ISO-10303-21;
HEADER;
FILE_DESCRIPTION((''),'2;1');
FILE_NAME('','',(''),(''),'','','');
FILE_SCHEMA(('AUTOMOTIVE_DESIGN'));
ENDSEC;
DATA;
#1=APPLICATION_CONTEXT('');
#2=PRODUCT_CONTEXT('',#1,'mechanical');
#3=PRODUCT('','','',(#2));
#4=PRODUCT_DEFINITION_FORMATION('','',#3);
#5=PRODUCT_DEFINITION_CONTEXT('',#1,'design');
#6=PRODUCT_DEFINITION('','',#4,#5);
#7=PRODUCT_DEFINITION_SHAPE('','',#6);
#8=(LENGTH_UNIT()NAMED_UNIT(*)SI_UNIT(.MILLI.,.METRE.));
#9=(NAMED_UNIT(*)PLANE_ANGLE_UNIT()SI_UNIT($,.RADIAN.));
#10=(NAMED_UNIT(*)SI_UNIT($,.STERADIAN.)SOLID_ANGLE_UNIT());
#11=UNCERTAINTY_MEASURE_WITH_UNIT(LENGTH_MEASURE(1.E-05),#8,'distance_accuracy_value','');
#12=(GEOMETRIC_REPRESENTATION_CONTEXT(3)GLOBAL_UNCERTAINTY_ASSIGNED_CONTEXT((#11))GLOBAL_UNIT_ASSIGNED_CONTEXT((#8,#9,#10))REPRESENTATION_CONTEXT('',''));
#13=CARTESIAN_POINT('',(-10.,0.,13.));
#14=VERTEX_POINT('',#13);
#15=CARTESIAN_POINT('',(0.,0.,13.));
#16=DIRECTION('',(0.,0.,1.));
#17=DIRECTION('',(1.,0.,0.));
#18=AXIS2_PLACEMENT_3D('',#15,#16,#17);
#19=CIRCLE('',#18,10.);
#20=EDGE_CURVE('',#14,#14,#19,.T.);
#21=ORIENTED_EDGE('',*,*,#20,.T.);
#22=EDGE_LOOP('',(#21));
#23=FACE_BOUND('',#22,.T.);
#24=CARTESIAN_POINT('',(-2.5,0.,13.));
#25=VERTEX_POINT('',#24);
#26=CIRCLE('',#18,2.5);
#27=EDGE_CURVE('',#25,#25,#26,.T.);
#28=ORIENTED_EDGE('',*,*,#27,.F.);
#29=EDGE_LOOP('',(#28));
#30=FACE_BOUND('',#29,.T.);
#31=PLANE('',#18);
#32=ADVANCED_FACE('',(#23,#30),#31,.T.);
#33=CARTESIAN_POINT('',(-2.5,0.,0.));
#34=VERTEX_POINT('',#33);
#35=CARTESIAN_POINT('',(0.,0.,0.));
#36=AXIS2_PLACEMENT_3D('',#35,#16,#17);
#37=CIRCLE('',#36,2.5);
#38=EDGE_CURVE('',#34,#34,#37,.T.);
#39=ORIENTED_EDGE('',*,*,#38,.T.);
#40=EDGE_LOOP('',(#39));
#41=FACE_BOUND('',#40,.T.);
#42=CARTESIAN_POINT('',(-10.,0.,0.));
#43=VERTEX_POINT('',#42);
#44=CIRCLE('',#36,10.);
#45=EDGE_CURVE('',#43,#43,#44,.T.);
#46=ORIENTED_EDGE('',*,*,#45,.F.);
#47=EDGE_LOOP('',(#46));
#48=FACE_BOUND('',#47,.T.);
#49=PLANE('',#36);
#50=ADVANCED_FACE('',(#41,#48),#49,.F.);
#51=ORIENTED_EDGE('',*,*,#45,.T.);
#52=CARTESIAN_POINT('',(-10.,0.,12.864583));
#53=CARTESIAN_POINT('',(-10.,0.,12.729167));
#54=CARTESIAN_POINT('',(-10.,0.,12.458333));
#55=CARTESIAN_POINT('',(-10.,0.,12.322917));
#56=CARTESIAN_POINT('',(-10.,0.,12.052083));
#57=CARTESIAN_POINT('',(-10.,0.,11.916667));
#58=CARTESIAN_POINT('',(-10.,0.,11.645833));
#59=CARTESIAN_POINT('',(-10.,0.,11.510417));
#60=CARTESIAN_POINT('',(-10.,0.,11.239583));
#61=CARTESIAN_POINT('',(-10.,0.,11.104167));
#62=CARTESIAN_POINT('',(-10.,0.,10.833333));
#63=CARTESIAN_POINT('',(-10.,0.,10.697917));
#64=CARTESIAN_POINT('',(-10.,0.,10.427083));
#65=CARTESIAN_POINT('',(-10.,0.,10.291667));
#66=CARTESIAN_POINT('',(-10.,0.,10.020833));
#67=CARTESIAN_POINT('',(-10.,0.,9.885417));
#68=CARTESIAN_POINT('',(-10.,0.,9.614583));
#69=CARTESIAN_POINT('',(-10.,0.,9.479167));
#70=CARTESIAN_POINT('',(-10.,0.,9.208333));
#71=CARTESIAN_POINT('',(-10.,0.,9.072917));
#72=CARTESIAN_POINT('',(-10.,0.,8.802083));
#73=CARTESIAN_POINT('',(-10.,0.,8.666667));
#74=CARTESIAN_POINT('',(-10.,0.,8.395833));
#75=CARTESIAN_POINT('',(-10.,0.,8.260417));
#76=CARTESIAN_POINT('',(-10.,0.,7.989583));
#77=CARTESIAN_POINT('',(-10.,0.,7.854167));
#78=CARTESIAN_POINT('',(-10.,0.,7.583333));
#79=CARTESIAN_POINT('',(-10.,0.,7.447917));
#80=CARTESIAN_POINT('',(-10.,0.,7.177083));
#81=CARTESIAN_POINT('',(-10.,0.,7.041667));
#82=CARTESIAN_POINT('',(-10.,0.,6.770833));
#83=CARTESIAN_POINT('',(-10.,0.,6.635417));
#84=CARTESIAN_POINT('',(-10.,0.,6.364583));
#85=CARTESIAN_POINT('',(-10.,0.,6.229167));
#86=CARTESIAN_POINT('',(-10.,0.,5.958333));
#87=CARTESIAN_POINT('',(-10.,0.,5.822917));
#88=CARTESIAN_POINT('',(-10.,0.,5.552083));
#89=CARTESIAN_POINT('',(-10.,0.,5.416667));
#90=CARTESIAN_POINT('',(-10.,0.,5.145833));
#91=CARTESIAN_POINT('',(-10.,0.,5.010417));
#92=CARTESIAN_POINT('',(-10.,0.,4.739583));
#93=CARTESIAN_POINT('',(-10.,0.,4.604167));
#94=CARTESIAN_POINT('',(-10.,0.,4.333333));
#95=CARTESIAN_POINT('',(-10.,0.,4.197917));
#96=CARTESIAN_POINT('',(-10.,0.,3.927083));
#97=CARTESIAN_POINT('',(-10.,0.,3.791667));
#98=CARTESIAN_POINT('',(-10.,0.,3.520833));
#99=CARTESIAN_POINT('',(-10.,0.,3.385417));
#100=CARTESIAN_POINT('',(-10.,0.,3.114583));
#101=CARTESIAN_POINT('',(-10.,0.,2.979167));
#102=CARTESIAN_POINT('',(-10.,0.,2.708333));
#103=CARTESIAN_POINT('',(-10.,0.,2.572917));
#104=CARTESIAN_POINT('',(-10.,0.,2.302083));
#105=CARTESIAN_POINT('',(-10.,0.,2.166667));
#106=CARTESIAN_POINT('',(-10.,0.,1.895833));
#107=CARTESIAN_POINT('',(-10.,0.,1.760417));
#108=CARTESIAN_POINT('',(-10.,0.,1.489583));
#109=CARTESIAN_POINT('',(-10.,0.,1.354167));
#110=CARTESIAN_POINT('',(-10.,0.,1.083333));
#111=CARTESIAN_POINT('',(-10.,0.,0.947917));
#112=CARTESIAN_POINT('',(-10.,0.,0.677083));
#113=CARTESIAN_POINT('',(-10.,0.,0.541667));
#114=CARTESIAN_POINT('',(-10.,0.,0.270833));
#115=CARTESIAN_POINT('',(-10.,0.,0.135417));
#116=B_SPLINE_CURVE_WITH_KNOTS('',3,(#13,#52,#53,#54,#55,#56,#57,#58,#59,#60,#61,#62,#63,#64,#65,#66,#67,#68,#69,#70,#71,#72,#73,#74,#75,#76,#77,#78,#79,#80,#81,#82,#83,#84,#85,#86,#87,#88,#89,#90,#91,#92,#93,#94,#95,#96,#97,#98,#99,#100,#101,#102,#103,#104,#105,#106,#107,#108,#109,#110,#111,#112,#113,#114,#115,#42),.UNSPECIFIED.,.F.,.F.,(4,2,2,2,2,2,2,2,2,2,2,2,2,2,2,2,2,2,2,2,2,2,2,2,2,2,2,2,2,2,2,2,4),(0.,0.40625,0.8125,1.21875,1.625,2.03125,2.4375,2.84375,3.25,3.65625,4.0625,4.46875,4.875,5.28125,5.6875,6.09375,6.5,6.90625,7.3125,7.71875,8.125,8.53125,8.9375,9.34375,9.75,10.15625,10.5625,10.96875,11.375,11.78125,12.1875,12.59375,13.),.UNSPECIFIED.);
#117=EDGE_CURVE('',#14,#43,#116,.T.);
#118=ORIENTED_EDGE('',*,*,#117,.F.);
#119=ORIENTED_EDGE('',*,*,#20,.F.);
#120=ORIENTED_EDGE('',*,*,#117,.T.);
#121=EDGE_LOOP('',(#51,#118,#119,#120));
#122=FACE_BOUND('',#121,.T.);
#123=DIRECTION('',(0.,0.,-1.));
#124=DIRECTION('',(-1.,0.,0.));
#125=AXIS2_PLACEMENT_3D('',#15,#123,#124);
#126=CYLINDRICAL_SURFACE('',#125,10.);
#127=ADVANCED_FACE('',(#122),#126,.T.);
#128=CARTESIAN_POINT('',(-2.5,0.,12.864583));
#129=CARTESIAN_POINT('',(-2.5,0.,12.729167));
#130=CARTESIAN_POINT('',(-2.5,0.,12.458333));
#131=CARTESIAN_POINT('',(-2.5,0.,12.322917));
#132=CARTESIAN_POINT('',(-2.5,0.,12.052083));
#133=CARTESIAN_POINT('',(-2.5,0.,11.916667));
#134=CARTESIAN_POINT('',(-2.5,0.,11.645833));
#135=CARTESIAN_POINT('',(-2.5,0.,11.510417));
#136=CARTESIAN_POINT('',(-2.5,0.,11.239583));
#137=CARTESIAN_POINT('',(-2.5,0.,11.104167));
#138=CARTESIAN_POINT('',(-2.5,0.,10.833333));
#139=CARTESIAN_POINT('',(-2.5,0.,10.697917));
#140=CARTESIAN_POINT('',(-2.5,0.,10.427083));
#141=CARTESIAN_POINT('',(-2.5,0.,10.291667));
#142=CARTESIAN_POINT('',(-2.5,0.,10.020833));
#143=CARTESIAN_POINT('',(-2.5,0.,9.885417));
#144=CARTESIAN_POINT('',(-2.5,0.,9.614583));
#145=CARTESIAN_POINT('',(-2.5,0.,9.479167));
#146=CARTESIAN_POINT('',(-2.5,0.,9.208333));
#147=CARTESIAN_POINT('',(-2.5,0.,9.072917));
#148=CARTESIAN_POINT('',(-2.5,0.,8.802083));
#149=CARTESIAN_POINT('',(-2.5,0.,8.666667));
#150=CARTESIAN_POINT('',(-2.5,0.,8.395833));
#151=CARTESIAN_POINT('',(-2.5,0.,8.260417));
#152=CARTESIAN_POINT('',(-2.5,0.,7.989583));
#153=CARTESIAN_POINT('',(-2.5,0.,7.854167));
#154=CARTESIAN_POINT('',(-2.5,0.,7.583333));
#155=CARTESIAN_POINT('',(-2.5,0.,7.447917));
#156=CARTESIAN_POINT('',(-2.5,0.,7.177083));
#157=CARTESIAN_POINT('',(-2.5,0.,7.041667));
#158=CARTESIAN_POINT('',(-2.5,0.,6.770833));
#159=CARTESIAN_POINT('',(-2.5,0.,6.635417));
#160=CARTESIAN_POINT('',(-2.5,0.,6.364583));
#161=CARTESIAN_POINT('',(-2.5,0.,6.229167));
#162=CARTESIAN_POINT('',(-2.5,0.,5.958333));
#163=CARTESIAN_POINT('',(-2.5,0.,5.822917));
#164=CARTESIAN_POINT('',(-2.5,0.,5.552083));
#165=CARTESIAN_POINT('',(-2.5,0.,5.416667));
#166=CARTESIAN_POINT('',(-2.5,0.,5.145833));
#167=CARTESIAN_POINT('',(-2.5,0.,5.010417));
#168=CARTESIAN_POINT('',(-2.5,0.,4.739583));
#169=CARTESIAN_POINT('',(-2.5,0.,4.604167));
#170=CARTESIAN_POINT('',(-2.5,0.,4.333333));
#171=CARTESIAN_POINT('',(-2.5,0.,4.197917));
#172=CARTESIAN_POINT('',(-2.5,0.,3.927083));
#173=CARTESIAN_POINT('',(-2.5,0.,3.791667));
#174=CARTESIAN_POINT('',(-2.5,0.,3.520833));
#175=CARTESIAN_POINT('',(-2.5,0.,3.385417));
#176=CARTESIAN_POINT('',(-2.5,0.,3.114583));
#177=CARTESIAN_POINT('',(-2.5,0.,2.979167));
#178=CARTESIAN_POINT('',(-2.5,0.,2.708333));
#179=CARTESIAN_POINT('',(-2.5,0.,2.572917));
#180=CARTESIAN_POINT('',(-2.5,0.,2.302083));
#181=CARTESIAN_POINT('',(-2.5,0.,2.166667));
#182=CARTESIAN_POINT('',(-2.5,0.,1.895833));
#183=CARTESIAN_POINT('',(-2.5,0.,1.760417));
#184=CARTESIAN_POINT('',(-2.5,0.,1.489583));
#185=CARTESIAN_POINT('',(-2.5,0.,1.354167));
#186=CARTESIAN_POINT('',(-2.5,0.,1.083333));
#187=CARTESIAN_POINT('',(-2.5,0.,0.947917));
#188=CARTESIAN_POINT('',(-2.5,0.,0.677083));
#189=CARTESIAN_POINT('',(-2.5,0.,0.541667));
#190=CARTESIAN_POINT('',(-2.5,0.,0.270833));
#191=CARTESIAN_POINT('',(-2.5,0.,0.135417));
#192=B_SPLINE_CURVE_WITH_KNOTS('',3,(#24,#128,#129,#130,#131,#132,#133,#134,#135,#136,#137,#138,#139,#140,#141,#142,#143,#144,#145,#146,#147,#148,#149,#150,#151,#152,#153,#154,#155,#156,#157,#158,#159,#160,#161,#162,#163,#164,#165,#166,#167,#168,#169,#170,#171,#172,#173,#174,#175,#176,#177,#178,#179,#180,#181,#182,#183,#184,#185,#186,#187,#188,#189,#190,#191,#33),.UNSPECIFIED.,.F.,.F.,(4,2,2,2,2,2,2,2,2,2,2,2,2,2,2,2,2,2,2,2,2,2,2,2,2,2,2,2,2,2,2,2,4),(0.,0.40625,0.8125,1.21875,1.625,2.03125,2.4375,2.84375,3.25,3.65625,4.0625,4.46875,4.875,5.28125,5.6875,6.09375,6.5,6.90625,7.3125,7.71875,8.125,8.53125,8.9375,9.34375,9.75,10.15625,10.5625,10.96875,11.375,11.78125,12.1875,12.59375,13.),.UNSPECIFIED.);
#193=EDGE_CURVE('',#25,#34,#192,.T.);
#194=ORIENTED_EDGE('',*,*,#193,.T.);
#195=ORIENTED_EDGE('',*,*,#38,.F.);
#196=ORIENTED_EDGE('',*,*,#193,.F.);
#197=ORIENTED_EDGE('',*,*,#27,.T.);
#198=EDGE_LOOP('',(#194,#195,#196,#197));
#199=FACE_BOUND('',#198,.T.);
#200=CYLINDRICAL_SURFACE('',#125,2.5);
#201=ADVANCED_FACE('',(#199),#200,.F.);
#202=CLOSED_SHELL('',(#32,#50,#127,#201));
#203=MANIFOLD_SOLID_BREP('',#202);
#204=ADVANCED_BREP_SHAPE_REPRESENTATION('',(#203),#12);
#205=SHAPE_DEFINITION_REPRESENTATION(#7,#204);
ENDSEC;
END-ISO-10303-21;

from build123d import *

# Parameters (mm, degrees)
SKETCH1_R           = 10
SKETCH1_R_2         = 8.060850601
SKETCH1_R_3         = 2.5
BOSS_EXTRUDE1_DEPTH = 13


with BuildPart() as part:
    # Sketch1 → Boss-Extrude1 (new body)
    # profile 1 of 2: a face of its own
    with BuildSketch(Plane.XY):
        with Locations(Location((0, 0, 0), (0, 0, 180))):
            Circle(SKETCH1_R)
        Circle(SKETCH1_R_2, mode=Mode.SUBTRACT)
    # profile 2 of 2: a face of its own
    with BuildSketch(Plane.XY):
        Circle(SKETCH1_R_2)
        with Locations(Location((0, 0, 0), (0, 0, 180))):
            Circle(SKETCH1_R_3, mode=Mode.SUBTRACT)
    extrude(amount=BOSS_EXTRUDE1_DEPTH)


solid = part.part
